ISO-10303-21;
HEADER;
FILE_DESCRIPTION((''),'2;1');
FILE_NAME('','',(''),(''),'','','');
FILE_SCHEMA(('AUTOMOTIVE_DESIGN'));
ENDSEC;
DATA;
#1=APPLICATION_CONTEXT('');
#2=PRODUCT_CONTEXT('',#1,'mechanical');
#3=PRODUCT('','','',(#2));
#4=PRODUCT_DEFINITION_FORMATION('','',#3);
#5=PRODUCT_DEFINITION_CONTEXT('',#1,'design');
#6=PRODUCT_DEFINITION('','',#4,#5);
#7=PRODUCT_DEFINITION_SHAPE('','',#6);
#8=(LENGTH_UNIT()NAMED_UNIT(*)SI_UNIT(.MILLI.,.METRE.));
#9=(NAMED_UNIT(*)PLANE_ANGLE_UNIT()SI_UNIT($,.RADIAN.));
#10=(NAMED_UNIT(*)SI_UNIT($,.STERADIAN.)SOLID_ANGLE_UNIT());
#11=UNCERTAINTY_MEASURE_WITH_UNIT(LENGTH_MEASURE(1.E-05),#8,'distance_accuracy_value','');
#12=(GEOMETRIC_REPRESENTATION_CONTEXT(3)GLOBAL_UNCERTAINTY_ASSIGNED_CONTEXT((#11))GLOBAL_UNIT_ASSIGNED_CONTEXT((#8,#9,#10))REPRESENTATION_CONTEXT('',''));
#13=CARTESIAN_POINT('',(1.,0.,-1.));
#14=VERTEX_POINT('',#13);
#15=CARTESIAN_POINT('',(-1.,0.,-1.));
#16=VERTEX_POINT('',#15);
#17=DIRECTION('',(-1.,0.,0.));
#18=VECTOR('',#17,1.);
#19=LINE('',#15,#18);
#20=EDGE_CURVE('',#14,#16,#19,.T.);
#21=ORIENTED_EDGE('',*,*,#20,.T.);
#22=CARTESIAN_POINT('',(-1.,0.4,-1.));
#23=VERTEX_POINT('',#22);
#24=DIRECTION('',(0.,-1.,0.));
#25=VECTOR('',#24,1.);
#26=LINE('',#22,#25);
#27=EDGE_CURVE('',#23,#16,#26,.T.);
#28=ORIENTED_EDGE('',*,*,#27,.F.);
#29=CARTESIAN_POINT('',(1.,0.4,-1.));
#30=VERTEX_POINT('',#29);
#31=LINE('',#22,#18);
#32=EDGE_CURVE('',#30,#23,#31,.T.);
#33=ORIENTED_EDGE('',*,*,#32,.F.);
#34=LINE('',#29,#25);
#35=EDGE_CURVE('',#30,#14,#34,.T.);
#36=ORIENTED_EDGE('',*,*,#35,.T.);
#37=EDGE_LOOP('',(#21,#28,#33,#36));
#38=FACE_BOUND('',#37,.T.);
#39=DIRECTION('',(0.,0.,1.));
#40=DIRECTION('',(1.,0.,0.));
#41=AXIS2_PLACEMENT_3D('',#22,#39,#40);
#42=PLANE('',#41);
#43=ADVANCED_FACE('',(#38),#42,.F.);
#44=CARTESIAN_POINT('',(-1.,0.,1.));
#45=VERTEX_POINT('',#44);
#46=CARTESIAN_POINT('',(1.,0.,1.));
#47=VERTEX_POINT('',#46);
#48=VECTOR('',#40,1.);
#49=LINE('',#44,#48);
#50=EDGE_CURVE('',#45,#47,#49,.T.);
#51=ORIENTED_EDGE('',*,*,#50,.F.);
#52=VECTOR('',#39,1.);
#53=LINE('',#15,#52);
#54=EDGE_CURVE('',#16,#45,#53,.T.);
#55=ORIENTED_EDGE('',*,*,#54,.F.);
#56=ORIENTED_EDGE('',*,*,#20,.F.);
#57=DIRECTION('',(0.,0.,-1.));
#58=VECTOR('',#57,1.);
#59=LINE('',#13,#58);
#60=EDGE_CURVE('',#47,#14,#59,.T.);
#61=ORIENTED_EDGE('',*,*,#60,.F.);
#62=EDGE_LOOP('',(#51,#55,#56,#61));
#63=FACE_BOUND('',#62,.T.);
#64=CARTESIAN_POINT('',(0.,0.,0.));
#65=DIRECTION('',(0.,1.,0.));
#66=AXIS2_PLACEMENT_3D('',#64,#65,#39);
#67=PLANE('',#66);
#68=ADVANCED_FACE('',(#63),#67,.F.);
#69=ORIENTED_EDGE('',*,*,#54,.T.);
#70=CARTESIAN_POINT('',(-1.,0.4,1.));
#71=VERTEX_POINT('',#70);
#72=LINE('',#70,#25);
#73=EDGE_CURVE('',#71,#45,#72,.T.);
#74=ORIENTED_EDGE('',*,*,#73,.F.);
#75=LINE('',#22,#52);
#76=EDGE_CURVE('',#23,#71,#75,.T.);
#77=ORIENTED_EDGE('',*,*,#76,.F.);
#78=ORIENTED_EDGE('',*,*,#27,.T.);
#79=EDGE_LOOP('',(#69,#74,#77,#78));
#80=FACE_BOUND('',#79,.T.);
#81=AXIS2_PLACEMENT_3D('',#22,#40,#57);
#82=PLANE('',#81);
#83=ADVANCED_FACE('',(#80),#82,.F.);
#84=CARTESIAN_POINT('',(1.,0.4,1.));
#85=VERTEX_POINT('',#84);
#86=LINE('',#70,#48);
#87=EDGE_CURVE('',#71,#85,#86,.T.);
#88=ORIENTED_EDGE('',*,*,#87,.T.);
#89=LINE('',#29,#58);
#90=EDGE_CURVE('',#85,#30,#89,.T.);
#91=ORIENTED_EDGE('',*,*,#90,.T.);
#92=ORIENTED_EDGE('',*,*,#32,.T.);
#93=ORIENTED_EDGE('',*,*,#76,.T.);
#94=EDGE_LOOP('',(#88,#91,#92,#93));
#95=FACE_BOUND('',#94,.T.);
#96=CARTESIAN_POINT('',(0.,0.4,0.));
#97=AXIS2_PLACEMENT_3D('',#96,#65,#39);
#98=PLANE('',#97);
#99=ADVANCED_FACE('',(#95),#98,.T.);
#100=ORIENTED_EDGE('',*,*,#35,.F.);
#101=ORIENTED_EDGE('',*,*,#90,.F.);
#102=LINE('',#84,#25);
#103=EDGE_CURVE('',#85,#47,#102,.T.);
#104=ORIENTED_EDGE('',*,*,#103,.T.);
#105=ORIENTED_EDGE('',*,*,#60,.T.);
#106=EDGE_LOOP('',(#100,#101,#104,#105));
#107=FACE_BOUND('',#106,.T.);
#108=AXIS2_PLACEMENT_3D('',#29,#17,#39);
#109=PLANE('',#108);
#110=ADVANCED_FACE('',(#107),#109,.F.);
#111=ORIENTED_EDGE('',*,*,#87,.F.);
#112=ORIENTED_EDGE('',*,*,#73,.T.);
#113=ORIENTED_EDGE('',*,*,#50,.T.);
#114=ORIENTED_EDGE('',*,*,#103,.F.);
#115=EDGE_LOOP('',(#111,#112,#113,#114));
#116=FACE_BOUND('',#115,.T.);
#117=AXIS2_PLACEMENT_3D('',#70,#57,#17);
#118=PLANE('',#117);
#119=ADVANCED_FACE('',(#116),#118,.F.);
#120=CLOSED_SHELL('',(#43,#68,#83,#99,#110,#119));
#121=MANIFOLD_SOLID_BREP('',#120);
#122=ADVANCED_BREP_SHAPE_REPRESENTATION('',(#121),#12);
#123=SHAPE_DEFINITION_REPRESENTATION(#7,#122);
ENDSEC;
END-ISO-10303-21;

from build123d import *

# Parameters (mm, degrees)
SKETCH1_W           = 2
SKETCH1_H           = 2
BOSS_EXTRUDE1_DEPTH = 0.4


with BuildPart() as part:
    # Sketch1 → Boss-Extrude1 (new body)
    with BuildSketch(Plane(origin=(0, 0, 0), x_dir=(1, 0, 0), z_dir=(0, 1, 0))):
        Rectangle(SKETCH1_W, SKETCH1_H)
    extrude(amount=BOSS_EXTRUDE1_DEPTH)


solid = part.part
